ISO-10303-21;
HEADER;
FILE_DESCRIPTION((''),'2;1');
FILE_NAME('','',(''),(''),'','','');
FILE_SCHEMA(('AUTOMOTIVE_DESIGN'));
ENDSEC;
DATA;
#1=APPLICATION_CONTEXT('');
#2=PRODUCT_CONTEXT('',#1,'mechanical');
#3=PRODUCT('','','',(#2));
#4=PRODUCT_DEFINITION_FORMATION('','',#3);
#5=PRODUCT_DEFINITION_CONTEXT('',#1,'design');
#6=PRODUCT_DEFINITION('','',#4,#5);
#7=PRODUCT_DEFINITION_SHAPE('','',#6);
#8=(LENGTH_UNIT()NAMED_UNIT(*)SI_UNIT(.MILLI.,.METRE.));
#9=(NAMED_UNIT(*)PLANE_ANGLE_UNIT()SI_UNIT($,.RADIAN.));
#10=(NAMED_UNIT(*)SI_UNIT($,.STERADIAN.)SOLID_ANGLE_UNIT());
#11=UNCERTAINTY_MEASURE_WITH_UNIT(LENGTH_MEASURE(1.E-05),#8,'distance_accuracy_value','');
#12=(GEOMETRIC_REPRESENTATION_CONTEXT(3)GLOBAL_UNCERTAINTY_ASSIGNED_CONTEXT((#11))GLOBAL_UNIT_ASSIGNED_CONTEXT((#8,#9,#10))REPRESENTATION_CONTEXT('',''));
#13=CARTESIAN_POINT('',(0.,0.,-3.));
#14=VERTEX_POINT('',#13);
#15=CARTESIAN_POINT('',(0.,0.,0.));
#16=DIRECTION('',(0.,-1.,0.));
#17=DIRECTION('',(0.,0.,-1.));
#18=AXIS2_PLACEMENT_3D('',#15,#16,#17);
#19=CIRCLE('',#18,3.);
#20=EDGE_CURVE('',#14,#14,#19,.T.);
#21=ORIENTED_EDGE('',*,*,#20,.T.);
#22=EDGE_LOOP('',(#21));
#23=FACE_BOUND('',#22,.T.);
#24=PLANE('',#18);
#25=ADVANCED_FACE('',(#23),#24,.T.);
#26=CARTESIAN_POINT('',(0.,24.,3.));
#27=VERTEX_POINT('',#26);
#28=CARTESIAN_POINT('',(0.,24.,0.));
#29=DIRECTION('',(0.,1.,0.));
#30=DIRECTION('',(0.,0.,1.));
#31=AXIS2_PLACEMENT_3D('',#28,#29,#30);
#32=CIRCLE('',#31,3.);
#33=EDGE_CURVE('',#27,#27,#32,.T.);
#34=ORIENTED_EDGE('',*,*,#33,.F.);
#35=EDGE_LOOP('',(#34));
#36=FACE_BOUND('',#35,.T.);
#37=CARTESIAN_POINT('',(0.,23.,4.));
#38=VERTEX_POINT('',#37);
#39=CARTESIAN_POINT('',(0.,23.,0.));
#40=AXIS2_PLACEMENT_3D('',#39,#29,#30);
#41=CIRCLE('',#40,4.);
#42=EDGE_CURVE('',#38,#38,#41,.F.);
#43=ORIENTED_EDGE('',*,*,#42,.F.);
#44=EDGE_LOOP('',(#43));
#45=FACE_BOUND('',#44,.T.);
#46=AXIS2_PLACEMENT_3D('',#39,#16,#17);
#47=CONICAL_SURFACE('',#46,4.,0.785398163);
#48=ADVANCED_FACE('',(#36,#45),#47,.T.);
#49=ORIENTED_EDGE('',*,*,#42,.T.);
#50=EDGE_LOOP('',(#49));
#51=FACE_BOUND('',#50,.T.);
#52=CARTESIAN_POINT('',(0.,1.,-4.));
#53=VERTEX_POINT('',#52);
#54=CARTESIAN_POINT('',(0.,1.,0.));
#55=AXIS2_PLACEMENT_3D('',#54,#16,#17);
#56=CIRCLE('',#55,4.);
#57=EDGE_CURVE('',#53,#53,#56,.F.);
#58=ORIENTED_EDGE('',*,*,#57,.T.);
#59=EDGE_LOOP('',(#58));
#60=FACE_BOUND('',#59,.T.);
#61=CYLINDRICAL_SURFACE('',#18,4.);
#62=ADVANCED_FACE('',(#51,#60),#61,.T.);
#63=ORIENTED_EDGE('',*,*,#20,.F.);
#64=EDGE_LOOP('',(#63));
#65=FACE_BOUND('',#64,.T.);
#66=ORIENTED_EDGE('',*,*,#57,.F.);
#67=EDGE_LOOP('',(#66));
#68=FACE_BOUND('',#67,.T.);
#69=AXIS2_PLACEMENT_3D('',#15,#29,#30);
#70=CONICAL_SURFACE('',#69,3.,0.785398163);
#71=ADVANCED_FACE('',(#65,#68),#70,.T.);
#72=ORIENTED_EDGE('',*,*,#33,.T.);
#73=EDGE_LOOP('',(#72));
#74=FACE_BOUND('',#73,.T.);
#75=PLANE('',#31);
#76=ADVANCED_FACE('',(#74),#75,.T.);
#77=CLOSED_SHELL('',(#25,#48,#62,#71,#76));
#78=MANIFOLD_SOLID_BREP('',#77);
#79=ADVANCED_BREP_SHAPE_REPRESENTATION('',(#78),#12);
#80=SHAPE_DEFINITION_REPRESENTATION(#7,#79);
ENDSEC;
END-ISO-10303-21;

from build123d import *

# Parameters (mm, degrees)
SKETCH_1_W     = 4
SKETCH_1_H     = 24
CHAMFER_1_SIZE = 1


with BuildPart() as part:
    # 草圖1 → 旋轉1 (revolve)
    with BuildSketch(Plane.XY):
        with Locations((2, 12)):
            Rectangle(SKETCH_1_W, SKETCH_1_H)
    revolve(axis=Axis((0, 0, 0), (0, 1, 0)))

    # 導角1
    chamfer_1_edges = [part.edges().sort_by_distance(p)[0] for p in [
        (-4, 0, 0),
        (-4, 24, 0),
    ]]
    chamfer(chamfer_1_edges, length=CHAMFER_1_SIZE)


solid = part.part
